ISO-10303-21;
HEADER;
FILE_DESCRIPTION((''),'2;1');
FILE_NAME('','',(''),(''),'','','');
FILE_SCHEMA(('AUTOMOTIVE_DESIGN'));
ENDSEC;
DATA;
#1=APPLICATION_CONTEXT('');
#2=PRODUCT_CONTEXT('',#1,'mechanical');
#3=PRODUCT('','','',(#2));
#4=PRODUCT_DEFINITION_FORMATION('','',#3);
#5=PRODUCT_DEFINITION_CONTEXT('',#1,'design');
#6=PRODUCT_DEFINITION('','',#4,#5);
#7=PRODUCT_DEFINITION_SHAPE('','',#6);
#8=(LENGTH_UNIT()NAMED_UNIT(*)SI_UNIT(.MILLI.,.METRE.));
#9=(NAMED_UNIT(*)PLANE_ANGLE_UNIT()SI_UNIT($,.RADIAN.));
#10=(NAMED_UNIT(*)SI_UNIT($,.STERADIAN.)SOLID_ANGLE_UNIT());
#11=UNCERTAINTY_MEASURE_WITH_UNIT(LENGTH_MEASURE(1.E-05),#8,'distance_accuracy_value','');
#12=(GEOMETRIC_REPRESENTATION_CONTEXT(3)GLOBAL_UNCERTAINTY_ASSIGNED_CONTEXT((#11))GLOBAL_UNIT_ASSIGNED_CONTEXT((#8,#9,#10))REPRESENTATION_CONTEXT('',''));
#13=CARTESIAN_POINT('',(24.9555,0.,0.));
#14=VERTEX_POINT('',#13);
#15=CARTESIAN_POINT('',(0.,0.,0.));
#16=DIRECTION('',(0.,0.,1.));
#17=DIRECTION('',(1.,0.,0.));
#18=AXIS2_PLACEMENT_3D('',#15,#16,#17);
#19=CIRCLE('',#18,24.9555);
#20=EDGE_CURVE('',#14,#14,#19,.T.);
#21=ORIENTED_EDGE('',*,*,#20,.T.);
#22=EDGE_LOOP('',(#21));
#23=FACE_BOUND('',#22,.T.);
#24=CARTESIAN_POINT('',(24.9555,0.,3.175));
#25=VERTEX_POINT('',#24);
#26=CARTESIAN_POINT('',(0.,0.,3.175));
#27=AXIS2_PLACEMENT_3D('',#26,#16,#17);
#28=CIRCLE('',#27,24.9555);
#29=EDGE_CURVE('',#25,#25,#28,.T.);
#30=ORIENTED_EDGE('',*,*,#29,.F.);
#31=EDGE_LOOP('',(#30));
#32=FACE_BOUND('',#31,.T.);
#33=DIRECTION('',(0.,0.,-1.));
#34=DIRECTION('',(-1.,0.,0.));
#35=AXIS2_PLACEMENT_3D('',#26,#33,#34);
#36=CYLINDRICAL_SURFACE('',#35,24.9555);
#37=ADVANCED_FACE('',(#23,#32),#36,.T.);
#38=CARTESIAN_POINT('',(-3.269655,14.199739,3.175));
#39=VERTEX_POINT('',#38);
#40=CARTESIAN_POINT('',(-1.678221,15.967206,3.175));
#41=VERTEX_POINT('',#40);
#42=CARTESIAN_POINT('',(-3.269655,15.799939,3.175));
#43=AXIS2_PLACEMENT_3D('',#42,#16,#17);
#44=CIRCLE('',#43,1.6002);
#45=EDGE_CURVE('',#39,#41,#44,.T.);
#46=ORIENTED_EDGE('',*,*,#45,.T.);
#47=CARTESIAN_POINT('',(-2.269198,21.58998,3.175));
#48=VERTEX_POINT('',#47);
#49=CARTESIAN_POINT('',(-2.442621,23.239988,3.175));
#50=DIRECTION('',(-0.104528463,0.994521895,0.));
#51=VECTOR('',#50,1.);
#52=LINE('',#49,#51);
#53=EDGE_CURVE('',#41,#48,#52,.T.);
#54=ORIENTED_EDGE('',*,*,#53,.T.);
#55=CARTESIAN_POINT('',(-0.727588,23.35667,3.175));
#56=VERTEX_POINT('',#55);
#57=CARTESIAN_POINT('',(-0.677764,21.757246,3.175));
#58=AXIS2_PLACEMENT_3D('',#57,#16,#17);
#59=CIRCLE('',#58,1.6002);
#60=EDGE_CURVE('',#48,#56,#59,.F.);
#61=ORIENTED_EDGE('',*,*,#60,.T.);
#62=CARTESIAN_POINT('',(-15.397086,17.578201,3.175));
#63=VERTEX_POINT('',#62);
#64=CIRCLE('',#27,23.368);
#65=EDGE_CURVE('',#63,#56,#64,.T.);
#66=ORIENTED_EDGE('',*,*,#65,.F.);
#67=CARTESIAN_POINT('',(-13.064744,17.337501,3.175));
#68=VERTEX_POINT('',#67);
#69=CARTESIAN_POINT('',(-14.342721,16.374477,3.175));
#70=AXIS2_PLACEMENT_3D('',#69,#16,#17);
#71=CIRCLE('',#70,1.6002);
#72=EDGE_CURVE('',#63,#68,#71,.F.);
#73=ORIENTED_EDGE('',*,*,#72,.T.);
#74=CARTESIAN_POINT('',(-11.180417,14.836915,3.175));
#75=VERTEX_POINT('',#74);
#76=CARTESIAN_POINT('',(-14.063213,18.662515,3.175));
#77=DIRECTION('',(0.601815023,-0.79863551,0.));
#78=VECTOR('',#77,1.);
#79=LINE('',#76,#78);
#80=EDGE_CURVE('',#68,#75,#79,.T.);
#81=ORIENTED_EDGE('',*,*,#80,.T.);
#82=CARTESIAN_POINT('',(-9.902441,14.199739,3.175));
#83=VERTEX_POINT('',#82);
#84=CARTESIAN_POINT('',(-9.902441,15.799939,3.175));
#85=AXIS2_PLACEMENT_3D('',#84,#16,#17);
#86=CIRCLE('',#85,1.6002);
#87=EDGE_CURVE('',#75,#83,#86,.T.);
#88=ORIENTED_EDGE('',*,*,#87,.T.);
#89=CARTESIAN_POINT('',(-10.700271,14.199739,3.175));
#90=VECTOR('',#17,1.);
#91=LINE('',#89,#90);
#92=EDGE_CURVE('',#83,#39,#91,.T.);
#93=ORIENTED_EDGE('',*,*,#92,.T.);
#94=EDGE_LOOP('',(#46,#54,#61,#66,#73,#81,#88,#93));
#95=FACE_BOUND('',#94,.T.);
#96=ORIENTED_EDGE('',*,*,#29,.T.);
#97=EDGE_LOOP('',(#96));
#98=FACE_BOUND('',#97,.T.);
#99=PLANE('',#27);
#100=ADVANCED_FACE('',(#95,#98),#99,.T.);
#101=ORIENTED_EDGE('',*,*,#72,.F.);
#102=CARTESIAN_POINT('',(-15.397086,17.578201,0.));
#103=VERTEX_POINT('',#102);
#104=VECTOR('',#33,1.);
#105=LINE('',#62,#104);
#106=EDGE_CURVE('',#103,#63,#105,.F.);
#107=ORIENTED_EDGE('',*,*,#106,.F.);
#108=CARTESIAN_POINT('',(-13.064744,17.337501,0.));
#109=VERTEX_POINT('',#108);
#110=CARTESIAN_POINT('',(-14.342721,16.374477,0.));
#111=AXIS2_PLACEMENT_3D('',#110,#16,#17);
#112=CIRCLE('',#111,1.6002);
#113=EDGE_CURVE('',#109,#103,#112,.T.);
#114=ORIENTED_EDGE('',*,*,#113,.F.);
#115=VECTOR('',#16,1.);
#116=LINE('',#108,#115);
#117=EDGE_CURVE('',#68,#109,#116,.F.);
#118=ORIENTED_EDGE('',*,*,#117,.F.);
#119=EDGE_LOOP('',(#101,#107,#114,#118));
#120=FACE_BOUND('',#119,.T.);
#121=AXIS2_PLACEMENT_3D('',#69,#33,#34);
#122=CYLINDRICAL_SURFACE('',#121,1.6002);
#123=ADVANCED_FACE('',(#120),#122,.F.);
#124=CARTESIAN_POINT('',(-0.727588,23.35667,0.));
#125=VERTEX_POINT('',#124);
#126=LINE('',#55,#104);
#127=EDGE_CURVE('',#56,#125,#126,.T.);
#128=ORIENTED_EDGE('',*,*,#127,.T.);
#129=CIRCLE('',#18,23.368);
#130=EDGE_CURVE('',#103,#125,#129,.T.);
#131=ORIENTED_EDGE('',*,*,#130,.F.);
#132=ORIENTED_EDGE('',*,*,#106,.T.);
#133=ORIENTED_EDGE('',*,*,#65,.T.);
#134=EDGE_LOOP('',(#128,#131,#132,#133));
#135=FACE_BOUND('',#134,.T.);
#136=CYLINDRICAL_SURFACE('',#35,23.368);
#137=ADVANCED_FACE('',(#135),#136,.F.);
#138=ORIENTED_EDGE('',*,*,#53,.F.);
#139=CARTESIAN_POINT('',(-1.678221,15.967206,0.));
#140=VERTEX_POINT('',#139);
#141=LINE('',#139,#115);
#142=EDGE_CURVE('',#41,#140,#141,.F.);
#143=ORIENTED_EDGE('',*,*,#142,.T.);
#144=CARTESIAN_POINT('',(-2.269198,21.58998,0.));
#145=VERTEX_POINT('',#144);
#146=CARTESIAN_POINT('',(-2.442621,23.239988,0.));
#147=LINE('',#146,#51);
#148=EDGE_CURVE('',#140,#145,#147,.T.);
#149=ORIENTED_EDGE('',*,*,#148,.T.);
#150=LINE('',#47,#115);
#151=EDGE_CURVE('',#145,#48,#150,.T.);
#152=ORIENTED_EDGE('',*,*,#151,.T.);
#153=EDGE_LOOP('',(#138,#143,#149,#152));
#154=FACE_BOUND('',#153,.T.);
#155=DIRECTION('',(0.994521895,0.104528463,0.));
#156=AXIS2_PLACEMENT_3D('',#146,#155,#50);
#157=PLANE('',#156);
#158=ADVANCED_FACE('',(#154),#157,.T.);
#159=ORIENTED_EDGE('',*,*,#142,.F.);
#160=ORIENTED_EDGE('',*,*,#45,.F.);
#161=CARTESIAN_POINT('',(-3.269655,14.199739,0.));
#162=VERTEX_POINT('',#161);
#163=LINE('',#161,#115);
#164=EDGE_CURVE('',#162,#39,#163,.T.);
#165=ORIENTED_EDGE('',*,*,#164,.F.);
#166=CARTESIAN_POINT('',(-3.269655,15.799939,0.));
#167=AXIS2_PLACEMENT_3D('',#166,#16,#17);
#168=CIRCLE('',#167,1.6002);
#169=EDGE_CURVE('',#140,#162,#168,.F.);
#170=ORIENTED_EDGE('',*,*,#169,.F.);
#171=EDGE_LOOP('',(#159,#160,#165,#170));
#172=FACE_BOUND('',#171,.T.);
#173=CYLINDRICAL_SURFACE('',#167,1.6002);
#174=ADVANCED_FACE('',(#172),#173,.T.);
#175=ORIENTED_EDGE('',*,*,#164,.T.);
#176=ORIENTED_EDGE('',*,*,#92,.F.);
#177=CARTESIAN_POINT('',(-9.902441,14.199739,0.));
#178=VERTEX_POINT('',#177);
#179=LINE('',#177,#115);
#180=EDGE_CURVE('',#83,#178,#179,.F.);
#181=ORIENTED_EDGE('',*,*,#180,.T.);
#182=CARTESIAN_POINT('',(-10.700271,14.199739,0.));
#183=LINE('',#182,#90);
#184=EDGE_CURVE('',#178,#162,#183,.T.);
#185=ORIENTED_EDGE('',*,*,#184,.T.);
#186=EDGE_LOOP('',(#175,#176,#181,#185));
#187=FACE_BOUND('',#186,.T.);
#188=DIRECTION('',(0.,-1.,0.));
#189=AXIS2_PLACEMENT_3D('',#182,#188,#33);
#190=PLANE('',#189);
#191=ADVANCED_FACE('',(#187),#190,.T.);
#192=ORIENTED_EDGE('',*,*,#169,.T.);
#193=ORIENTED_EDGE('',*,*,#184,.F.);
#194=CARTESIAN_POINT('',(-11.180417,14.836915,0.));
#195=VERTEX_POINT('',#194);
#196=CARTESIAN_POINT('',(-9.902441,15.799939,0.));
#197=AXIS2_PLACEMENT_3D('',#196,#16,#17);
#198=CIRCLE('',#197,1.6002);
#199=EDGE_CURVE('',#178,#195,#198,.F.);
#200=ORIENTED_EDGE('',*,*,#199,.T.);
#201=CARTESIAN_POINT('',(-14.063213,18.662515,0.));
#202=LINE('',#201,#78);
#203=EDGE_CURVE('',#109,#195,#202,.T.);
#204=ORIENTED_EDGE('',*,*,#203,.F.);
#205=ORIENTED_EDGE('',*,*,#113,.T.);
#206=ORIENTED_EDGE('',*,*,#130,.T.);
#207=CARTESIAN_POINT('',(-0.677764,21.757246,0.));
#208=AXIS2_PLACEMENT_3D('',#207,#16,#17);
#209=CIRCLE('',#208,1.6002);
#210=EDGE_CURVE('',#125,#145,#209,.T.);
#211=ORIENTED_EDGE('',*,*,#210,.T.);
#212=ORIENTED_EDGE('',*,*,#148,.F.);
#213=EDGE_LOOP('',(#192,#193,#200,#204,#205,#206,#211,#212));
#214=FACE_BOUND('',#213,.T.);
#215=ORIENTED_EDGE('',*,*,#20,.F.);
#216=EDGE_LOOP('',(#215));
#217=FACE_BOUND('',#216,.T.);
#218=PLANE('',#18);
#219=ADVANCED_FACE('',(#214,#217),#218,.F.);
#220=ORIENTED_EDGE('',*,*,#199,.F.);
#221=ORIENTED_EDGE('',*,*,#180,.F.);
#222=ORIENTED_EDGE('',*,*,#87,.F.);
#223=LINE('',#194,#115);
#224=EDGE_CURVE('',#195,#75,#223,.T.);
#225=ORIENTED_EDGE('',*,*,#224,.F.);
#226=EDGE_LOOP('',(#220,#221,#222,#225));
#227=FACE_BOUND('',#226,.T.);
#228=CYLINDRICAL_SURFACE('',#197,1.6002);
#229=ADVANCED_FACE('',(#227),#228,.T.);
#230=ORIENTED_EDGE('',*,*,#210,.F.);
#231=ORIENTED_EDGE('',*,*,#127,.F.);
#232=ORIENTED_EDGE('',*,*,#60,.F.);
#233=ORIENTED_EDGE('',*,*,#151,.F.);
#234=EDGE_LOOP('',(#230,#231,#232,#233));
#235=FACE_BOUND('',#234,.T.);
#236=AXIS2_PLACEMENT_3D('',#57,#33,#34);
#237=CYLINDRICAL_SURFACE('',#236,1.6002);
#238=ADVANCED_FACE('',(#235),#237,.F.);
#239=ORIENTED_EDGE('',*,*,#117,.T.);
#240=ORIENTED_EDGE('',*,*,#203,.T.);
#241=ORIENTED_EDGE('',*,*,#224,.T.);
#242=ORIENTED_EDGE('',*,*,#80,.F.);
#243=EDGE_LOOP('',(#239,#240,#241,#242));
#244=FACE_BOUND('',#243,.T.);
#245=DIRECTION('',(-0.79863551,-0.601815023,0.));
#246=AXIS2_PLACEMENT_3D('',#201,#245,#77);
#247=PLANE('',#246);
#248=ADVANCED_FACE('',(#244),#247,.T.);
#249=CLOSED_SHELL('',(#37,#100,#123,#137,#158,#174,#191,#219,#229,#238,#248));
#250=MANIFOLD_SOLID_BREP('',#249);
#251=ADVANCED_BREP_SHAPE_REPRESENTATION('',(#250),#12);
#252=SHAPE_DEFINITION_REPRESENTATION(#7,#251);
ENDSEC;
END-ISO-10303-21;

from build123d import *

# Parameters (mm, degrees)
SKETCH1_R           = 24.9555
SKETCH1_R_2         = 23.368
BOSS_EXTRUDE1_DEPTH = 3.175
BOSS_EXTRUDE2_DEPTH = 3.175
FILLET1_R           = 1.6002


with BuildPart() as part:
    # Sketch1 → Boss-Extrude1 (new body)
    with BuildSketch(Plane.XY):
        Circle(SKETCH1_R)
        Circle(SKETCH1_R_2, mode=Mode.SUBTRACT)
    extrude(amount=BOSS_EXTRUDE1_DEPTH)

    # Sketch2 → Boss-Extrude2 (add, through all)
    with BuildSketch(Plane.XY.offset(3.175)):
        with BuildLine():
            Line((-14.063213461, 18.662514599), (-10.700271112, 14.199739369))
            Line((-10.700271112, 14.199739369), (-1.492452747, 14.199739369))
            Line((-1.492452747, 14.199739369), (-2.44262113, 23.239987651))
            ThreePointArc((-2.44262113, 23.239987651), (-8.564400666, 21.741997729), (-14.063213461, 18.662514599))
        make_face()
    extrude(amount=-BOSS_EXTRUDE2_DEPTH)

    # Fillet1
    fillet1_edges = [part.edges().sort_by_distance(p)[0] for p in [
        (-14.063213461, 18.662514599, 1.5875),
        (-2.44262113, 23.239987651, 1.5875),
        (-1.492452747, 14.199739369, 1.5875),
        (-10.700271112, 14.199739369, 1.5875),
    ]]
    fillet(fillet1_edges, radius=FILLET1_R)


solid = part.part
